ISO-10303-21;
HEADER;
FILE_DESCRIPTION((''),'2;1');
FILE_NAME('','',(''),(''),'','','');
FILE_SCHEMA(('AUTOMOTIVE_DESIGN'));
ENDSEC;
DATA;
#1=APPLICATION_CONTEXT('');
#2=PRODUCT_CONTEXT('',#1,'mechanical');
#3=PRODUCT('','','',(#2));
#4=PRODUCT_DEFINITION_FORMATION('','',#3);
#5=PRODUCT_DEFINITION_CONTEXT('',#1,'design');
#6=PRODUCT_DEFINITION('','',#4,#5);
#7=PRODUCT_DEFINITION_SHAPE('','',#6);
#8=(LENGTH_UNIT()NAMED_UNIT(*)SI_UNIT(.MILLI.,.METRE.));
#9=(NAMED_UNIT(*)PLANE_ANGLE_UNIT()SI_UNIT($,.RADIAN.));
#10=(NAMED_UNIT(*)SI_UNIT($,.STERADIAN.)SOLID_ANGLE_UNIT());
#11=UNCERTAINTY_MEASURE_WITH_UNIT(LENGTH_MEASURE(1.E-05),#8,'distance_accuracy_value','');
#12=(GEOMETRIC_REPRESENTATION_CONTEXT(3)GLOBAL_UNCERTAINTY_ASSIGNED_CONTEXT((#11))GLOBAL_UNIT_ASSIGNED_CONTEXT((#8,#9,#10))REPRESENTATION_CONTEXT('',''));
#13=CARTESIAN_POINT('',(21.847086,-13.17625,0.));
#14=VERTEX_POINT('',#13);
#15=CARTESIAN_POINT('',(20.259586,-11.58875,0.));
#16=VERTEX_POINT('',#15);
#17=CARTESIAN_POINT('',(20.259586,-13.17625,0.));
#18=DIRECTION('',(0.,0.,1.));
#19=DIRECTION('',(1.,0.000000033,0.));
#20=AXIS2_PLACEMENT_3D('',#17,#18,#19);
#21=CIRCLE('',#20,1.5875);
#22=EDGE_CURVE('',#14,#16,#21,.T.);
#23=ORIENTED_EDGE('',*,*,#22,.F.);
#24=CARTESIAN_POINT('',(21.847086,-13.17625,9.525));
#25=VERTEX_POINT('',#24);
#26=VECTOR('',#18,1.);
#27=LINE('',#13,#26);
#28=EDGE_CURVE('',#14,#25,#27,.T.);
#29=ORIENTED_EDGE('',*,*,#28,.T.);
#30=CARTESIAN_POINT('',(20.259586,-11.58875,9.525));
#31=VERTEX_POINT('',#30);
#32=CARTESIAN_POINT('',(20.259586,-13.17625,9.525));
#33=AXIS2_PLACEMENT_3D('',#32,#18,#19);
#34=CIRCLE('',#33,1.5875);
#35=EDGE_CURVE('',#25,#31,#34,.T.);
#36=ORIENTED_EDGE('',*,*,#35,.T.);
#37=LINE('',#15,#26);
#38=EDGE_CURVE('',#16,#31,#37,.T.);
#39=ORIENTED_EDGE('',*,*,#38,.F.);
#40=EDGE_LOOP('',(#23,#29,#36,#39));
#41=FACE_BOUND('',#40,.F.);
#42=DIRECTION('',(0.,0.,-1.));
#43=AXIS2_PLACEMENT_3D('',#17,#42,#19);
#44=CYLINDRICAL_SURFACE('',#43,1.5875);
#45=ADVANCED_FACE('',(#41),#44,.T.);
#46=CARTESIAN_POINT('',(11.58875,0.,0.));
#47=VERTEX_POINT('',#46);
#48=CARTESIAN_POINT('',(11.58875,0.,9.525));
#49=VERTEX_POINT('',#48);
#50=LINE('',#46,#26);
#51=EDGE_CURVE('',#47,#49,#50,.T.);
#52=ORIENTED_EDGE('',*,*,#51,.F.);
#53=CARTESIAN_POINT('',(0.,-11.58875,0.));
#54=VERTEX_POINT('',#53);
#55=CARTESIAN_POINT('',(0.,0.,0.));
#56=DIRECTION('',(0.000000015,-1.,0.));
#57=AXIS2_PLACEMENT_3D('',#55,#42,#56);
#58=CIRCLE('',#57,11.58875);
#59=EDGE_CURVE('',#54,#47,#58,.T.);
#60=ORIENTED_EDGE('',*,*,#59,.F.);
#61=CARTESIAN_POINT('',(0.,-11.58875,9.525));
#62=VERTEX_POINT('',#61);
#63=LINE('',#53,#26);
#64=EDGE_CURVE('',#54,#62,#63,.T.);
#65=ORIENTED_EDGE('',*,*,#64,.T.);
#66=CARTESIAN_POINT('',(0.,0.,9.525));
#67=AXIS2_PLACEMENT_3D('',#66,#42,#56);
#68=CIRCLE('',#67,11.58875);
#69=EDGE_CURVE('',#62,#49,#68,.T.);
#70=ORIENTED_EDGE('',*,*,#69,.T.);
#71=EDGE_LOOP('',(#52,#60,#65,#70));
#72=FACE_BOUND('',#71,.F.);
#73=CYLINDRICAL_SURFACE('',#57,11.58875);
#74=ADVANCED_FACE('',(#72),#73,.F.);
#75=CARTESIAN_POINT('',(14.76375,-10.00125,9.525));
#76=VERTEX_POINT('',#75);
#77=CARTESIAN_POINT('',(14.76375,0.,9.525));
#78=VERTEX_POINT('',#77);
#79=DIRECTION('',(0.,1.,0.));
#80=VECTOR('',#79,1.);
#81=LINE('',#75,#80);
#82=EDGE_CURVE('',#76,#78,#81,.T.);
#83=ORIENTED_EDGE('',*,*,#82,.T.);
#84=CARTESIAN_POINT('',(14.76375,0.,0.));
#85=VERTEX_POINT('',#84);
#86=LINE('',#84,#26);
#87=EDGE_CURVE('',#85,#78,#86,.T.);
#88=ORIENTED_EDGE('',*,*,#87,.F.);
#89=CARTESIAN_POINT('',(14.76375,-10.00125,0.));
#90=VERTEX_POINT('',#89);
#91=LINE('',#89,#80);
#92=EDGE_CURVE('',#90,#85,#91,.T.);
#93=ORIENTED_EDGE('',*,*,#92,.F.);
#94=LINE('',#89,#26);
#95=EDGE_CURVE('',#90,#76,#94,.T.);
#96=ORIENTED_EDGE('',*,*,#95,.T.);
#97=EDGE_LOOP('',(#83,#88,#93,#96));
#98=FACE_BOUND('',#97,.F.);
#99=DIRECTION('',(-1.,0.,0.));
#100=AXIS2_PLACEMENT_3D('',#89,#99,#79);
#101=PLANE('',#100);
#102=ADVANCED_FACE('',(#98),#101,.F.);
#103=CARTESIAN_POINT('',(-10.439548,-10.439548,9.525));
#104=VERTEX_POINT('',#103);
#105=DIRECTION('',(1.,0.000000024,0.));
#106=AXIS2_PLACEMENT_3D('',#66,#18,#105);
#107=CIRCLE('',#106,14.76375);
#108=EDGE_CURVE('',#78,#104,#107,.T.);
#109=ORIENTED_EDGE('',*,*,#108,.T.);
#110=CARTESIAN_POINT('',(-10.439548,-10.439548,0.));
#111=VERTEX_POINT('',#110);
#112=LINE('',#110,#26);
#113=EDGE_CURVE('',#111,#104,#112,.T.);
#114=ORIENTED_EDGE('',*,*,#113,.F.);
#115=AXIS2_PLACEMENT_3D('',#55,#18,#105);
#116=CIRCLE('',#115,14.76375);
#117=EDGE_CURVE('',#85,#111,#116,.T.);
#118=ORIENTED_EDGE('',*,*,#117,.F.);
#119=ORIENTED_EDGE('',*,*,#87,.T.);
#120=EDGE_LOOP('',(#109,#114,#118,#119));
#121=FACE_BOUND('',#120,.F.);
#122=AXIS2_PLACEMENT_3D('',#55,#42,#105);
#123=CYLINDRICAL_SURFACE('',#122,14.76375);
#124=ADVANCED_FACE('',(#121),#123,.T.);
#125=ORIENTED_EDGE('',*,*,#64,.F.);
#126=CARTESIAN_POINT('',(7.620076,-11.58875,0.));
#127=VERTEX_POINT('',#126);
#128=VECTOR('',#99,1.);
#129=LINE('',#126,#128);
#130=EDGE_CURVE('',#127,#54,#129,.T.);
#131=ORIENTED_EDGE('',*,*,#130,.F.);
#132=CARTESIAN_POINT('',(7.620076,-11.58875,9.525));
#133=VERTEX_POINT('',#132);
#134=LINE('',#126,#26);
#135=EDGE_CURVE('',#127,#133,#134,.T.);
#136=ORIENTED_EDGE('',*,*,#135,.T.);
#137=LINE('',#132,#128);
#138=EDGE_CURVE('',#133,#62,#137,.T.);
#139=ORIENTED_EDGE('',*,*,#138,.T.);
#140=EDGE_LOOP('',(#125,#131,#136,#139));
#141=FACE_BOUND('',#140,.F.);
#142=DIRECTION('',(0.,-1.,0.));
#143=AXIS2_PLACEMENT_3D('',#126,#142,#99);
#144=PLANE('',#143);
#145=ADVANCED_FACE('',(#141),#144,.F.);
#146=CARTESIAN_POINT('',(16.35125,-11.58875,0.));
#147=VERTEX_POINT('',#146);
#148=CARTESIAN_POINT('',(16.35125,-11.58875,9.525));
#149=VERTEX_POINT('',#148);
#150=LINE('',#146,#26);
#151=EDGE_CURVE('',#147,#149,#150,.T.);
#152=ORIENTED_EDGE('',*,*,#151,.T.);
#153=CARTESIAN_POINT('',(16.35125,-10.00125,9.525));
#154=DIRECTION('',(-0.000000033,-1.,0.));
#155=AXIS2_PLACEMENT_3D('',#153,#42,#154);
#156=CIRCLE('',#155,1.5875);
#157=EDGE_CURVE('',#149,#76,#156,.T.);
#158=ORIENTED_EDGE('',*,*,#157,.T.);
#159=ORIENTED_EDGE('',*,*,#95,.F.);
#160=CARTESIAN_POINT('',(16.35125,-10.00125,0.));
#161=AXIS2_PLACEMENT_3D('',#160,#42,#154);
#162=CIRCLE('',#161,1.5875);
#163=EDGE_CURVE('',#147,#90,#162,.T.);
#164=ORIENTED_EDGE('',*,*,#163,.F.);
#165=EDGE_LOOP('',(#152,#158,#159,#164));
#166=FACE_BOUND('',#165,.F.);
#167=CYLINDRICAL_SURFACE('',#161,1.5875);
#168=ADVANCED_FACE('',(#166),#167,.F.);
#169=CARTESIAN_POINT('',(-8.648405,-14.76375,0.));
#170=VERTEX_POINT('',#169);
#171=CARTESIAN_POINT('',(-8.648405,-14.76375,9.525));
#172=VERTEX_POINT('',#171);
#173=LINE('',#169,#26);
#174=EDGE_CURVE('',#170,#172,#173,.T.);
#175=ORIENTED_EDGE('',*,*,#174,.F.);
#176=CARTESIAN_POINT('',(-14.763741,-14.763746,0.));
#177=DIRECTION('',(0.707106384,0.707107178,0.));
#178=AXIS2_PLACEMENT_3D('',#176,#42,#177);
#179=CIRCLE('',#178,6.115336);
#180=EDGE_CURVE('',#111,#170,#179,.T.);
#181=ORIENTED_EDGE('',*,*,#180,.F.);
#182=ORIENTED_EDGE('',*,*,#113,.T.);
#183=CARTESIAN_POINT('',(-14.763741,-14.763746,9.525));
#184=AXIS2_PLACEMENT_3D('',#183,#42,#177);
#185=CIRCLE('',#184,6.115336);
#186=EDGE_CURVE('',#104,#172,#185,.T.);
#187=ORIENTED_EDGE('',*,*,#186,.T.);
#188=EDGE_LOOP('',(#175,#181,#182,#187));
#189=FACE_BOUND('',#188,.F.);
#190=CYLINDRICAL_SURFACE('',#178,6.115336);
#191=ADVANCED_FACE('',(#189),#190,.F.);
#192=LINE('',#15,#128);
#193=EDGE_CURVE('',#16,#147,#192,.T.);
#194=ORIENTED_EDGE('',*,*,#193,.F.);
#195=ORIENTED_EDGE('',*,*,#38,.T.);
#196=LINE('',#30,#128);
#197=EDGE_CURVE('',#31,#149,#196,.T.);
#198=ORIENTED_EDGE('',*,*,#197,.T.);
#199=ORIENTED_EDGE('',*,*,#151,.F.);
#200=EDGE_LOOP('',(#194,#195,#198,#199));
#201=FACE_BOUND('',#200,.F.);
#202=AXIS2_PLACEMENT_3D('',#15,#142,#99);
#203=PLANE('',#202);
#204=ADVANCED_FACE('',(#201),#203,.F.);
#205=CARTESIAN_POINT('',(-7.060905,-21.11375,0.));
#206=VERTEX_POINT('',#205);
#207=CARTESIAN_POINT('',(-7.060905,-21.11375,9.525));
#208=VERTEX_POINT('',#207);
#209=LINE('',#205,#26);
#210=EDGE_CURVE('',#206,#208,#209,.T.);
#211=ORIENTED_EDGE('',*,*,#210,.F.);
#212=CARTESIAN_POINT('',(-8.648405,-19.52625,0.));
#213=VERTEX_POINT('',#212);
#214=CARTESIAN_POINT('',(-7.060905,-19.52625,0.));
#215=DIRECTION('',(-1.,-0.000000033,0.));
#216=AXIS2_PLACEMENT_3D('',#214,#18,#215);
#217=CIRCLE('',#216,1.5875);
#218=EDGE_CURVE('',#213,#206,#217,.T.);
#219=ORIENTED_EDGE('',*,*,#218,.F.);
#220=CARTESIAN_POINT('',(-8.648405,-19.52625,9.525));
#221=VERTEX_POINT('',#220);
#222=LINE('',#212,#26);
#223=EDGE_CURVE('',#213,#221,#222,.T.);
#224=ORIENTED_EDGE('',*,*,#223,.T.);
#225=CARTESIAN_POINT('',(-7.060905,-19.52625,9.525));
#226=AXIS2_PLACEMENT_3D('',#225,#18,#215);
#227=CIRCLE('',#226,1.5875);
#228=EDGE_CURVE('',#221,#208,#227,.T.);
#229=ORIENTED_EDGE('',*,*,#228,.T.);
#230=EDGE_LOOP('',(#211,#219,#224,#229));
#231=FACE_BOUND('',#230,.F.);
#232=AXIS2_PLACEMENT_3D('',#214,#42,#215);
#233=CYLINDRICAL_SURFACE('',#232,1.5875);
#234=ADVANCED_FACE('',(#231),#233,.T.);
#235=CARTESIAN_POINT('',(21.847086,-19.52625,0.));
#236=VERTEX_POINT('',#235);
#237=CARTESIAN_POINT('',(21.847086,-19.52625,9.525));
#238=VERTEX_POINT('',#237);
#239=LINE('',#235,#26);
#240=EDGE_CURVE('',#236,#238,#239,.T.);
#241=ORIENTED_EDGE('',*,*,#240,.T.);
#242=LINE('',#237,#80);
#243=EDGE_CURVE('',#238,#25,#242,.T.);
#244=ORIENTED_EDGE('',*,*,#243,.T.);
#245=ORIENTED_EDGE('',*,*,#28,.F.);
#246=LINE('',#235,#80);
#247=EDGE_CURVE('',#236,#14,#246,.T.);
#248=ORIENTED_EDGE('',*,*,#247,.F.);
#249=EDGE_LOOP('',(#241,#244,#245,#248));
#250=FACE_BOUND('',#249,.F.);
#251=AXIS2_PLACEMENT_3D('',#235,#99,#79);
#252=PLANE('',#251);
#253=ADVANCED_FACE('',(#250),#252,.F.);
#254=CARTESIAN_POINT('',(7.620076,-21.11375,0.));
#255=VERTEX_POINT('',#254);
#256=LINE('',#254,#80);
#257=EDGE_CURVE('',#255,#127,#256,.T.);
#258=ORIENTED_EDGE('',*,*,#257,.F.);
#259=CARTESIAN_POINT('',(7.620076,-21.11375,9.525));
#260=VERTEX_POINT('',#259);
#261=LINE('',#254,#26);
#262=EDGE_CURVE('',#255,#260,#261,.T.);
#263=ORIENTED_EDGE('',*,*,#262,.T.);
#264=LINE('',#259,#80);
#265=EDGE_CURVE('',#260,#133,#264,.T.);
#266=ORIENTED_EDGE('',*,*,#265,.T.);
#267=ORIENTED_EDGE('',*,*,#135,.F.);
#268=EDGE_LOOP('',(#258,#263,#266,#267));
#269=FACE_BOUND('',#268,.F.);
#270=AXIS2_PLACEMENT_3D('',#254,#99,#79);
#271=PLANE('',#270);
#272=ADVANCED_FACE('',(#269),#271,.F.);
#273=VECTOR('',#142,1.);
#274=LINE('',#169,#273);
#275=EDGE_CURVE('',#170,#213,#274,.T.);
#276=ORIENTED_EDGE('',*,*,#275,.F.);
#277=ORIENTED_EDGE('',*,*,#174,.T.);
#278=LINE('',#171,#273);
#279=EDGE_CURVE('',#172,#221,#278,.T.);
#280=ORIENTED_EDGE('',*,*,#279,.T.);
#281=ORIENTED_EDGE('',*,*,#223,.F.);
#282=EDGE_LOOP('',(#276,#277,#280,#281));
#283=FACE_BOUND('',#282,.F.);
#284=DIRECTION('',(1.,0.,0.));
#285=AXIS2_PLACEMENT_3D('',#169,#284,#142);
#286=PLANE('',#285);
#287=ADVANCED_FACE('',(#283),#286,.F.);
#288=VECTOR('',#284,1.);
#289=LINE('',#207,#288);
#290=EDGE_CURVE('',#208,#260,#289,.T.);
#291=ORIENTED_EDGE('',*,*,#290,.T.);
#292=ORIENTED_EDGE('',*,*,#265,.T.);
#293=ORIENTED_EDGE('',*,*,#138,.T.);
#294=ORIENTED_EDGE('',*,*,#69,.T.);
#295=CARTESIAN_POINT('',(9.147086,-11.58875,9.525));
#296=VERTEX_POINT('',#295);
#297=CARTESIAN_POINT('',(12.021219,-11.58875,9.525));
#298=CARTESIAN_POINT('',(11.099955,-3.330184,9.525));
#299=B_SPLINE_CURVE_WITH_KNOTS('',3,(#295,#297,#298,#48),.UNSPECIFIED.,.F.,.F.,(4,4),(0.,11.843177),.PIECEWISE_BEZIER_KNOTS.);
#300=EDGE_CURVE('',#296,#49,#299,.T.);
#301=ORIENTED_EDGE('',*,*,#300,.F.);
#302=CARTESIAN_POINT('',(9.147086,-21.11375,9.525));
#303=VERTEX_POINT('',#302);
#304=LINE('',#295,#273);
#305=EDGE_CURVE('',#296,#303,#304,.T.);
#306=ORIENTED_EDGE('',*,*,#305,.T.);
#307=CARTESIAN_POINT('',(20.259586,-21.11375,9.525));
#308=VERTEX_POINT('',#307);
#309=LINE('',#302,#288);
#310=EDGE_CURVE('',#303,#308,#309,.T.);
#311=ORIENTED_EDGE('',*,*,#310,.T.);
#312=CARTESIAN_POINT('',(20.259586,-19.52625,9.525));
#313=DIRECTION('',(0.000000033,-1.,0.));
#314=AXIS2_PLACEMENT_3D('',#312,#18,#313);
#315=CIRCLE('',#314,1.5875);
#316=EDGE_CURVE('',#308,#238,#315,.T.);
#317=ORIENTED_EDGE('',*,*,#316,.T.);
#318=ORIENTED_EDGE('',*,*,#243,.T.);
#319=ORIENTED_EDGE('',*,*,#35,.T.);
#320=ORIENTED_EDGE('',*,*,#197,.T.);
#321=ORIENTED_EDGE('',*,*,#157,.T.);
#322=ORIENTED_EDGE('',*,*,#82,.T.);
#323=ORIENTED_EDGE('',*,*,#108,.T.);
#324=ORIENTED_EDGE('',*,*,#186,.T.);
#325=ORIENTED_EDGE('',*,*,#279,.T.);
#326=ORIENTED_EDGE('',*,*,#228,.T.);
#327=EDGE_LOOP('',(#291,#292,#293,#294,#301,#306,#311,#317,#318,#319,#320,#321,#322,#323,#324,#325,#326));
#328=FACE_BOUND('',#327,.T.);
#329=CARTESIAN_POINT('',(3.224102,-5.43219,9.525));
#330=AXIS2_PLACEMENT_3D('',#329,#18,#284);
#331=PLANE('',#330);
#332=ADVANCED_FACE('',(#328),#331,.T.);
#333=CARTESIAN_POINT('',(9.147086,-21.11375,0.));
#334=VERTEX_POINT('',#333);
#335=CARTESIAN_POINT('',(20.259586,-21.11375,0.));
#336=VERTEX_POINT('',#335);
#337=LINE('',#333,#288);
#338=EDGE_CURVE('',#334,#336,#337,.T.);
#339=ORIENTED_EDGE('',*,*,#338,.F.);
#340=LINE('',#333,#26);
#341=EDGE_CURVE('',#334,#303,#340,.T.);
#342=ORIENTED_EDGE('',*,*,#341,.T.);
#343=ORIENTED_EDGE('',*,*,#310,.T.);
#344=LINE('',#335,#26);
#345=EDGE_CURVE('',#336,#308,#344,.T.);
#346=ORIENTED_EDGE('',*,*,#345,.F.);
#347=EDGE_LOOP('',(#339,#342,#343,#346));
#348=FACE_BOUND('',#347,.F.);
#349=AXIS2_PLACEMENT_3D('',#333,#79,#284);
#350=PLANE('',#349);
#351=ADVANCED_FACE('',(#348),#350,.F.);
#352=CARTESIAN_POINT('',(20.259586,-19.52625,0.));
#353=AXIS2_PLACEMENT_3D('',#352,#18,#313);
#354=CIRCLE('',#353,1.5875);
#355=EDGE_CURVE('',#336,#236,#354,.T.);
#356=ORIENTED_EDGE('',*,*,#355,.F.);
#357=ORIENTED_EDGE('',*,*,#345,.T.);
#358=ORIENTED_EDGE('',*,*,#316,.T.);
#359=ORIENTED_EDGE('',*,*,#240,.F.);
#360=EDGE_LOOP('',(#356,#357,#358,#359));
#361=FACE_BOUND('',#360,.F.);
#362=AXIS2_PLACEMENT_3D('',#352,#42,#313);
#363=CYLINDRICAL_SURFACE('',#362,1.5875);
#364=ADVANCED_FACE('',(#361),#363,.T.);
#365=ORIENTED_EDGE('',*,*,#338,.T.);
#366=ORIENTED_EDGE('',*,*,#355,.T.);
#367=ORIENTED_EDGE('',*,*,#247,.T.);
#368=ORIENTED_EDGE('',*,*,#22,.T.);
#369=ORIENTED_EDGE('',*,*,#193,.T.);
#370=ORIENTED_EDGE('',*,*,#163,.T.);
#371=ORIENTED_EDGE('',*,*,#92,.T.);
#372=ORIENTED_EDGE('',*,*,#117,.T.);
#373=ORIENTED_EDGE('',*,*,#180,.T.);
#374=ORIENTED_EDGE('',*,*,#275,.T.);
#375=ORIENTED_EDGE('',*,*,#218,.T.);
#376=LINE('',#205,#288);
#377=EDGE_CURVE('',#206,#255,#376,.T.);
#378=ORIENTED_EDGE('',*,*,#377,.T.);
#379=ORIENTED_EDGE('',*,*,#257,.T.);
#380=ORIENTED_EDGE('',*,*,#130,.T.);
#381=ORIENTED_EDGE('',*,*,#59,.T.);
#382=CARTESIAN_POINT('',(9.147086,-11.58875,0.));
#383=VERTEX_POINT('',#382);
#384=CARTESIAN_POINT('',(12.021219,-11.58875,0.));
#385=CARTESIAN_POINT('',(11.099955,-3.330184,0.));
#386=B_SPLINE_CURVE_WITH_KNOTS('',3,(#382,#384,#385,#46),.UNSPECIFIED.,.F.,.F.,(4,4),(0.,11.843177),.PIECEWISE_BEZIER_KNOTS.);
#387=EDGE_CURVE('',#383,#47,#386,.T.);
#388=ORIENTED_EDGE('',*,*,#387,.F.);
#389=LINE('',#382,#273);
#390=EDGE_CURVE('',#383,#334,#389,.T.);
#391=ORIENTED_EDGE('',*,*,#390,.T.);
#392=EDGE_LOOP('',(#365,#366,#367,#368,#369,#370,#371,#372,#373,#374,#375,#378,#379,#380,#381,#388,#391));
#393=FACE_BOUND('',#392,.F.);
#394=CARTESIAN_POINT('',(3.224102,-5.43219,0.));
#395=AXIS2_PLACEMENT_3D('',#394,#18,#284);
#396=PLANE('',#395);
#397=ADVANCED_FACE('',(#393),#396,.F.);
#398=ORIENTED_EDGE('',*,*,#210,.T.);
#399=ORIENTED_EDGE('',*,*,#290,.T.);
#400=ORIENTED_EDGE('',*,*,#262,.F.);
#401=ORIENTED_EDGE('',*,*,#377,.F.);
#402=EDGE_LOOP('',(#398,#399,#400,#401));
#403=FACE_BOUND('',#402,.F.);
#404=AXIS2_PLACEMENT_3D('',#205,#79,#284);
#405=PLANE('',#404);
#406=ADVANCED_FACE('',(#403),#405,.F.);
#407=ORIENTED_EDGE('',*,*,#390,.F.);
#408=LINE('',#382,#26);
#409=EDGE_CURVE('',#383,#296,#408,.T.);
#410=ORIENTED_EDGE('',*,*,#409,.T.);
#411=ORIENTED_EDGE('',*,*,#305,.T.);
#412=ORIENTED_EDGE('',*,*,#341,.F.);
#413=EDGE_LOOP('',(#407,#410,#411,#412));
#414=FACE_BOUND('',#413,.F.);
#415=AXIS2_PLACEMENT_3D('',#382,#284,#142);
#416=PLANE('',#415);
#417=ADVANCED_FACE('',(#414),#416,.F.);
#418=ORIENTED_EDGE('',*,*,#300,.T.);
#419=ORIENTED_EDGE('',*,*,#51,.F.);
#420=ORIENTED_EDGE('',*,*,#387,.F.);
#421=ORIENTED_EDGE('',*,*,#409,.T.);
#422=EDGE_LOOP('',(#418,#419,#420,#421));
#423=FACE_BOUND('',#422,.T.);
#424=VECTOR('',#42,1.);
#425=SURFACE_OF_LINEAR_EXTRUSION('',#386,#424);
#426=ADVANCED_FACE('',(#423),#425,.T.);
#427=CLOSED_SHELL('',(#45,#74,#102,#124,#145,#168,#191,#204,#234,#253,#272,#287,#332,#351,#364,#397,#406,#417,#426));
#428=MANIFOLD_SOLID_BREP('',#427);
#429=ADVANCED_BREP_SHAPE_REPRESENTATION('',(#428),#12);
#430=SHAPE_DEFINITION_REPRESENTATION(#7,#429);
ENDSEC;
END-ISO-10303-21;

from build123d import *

# Parameters (mm, degrees)
F1_DEPTH = 9.525


with BuildPart() as f1:
    # F0 (on Top) → F1 (new body)
    with BuildSketch(Plane.XY):
        with BuildLine():
            ThreePointArc((0, -11.58875), (-8.194484, 8.194484), (11.58875, 0))
            add(Edge.make_bspline(
                [(9.147086, -11.58875), (12.021219, -11.58875), (11.099955, -3.330184), (11.58875, 0)],
                knots=[0, 0, 0, 0, 11.843177, 11.843177, 11.843177, 11.843177], degree=3))
            Line((9.147086, -11.58875), (9.147086, -21.11375))
            Line((9.147086, -21.11375), (20.259586, -21.11375))
            ThreePointArc((20.259586, -21.11375), (21.382118, -20.648782), (21.847086, -19.52625))
            Line((21.847086, -19.52625), (21.847086, -13.17625))
            ThreePointArc((21.847086, -13.17625), (21.382118, -12.053718), (20.259586, -11.58875))
            Line((20.259586, -11.58875), (16.35125, -11.58875))
            ThreePointArc((16.35125, -11.58875), (15.228718, -11.123782), (14.76375, -10.00125))
            Line((14.76375, -10.00125), (14.76375, 0))
            ThreePointArc((14.76375, 0), (-5.649843, 13.639926), (-10.439548, -10.439548))
            ThreePointArc((-10.439548, -10.439548), (-9.113907, -12.423509), (-8.648405, -14.76375))
            Line((-8.648405, -14.76375), (-8.648405, -19.52625))
            ThreePointArc((-8.648405, -19.52625), (-8.183437, -20.648782), (-7.060905, -21.11375))
            Line((-7.060905, -21.11375), (7.620076, -21.11375))
            Line((7.620076, -21.11375), (7.620076, -11.58875))
            Line((7.620076, -11.58875), (0, -11.58875))
        make_face()
    extrude(amount=F1_DEPTH)


solid = f1.part
